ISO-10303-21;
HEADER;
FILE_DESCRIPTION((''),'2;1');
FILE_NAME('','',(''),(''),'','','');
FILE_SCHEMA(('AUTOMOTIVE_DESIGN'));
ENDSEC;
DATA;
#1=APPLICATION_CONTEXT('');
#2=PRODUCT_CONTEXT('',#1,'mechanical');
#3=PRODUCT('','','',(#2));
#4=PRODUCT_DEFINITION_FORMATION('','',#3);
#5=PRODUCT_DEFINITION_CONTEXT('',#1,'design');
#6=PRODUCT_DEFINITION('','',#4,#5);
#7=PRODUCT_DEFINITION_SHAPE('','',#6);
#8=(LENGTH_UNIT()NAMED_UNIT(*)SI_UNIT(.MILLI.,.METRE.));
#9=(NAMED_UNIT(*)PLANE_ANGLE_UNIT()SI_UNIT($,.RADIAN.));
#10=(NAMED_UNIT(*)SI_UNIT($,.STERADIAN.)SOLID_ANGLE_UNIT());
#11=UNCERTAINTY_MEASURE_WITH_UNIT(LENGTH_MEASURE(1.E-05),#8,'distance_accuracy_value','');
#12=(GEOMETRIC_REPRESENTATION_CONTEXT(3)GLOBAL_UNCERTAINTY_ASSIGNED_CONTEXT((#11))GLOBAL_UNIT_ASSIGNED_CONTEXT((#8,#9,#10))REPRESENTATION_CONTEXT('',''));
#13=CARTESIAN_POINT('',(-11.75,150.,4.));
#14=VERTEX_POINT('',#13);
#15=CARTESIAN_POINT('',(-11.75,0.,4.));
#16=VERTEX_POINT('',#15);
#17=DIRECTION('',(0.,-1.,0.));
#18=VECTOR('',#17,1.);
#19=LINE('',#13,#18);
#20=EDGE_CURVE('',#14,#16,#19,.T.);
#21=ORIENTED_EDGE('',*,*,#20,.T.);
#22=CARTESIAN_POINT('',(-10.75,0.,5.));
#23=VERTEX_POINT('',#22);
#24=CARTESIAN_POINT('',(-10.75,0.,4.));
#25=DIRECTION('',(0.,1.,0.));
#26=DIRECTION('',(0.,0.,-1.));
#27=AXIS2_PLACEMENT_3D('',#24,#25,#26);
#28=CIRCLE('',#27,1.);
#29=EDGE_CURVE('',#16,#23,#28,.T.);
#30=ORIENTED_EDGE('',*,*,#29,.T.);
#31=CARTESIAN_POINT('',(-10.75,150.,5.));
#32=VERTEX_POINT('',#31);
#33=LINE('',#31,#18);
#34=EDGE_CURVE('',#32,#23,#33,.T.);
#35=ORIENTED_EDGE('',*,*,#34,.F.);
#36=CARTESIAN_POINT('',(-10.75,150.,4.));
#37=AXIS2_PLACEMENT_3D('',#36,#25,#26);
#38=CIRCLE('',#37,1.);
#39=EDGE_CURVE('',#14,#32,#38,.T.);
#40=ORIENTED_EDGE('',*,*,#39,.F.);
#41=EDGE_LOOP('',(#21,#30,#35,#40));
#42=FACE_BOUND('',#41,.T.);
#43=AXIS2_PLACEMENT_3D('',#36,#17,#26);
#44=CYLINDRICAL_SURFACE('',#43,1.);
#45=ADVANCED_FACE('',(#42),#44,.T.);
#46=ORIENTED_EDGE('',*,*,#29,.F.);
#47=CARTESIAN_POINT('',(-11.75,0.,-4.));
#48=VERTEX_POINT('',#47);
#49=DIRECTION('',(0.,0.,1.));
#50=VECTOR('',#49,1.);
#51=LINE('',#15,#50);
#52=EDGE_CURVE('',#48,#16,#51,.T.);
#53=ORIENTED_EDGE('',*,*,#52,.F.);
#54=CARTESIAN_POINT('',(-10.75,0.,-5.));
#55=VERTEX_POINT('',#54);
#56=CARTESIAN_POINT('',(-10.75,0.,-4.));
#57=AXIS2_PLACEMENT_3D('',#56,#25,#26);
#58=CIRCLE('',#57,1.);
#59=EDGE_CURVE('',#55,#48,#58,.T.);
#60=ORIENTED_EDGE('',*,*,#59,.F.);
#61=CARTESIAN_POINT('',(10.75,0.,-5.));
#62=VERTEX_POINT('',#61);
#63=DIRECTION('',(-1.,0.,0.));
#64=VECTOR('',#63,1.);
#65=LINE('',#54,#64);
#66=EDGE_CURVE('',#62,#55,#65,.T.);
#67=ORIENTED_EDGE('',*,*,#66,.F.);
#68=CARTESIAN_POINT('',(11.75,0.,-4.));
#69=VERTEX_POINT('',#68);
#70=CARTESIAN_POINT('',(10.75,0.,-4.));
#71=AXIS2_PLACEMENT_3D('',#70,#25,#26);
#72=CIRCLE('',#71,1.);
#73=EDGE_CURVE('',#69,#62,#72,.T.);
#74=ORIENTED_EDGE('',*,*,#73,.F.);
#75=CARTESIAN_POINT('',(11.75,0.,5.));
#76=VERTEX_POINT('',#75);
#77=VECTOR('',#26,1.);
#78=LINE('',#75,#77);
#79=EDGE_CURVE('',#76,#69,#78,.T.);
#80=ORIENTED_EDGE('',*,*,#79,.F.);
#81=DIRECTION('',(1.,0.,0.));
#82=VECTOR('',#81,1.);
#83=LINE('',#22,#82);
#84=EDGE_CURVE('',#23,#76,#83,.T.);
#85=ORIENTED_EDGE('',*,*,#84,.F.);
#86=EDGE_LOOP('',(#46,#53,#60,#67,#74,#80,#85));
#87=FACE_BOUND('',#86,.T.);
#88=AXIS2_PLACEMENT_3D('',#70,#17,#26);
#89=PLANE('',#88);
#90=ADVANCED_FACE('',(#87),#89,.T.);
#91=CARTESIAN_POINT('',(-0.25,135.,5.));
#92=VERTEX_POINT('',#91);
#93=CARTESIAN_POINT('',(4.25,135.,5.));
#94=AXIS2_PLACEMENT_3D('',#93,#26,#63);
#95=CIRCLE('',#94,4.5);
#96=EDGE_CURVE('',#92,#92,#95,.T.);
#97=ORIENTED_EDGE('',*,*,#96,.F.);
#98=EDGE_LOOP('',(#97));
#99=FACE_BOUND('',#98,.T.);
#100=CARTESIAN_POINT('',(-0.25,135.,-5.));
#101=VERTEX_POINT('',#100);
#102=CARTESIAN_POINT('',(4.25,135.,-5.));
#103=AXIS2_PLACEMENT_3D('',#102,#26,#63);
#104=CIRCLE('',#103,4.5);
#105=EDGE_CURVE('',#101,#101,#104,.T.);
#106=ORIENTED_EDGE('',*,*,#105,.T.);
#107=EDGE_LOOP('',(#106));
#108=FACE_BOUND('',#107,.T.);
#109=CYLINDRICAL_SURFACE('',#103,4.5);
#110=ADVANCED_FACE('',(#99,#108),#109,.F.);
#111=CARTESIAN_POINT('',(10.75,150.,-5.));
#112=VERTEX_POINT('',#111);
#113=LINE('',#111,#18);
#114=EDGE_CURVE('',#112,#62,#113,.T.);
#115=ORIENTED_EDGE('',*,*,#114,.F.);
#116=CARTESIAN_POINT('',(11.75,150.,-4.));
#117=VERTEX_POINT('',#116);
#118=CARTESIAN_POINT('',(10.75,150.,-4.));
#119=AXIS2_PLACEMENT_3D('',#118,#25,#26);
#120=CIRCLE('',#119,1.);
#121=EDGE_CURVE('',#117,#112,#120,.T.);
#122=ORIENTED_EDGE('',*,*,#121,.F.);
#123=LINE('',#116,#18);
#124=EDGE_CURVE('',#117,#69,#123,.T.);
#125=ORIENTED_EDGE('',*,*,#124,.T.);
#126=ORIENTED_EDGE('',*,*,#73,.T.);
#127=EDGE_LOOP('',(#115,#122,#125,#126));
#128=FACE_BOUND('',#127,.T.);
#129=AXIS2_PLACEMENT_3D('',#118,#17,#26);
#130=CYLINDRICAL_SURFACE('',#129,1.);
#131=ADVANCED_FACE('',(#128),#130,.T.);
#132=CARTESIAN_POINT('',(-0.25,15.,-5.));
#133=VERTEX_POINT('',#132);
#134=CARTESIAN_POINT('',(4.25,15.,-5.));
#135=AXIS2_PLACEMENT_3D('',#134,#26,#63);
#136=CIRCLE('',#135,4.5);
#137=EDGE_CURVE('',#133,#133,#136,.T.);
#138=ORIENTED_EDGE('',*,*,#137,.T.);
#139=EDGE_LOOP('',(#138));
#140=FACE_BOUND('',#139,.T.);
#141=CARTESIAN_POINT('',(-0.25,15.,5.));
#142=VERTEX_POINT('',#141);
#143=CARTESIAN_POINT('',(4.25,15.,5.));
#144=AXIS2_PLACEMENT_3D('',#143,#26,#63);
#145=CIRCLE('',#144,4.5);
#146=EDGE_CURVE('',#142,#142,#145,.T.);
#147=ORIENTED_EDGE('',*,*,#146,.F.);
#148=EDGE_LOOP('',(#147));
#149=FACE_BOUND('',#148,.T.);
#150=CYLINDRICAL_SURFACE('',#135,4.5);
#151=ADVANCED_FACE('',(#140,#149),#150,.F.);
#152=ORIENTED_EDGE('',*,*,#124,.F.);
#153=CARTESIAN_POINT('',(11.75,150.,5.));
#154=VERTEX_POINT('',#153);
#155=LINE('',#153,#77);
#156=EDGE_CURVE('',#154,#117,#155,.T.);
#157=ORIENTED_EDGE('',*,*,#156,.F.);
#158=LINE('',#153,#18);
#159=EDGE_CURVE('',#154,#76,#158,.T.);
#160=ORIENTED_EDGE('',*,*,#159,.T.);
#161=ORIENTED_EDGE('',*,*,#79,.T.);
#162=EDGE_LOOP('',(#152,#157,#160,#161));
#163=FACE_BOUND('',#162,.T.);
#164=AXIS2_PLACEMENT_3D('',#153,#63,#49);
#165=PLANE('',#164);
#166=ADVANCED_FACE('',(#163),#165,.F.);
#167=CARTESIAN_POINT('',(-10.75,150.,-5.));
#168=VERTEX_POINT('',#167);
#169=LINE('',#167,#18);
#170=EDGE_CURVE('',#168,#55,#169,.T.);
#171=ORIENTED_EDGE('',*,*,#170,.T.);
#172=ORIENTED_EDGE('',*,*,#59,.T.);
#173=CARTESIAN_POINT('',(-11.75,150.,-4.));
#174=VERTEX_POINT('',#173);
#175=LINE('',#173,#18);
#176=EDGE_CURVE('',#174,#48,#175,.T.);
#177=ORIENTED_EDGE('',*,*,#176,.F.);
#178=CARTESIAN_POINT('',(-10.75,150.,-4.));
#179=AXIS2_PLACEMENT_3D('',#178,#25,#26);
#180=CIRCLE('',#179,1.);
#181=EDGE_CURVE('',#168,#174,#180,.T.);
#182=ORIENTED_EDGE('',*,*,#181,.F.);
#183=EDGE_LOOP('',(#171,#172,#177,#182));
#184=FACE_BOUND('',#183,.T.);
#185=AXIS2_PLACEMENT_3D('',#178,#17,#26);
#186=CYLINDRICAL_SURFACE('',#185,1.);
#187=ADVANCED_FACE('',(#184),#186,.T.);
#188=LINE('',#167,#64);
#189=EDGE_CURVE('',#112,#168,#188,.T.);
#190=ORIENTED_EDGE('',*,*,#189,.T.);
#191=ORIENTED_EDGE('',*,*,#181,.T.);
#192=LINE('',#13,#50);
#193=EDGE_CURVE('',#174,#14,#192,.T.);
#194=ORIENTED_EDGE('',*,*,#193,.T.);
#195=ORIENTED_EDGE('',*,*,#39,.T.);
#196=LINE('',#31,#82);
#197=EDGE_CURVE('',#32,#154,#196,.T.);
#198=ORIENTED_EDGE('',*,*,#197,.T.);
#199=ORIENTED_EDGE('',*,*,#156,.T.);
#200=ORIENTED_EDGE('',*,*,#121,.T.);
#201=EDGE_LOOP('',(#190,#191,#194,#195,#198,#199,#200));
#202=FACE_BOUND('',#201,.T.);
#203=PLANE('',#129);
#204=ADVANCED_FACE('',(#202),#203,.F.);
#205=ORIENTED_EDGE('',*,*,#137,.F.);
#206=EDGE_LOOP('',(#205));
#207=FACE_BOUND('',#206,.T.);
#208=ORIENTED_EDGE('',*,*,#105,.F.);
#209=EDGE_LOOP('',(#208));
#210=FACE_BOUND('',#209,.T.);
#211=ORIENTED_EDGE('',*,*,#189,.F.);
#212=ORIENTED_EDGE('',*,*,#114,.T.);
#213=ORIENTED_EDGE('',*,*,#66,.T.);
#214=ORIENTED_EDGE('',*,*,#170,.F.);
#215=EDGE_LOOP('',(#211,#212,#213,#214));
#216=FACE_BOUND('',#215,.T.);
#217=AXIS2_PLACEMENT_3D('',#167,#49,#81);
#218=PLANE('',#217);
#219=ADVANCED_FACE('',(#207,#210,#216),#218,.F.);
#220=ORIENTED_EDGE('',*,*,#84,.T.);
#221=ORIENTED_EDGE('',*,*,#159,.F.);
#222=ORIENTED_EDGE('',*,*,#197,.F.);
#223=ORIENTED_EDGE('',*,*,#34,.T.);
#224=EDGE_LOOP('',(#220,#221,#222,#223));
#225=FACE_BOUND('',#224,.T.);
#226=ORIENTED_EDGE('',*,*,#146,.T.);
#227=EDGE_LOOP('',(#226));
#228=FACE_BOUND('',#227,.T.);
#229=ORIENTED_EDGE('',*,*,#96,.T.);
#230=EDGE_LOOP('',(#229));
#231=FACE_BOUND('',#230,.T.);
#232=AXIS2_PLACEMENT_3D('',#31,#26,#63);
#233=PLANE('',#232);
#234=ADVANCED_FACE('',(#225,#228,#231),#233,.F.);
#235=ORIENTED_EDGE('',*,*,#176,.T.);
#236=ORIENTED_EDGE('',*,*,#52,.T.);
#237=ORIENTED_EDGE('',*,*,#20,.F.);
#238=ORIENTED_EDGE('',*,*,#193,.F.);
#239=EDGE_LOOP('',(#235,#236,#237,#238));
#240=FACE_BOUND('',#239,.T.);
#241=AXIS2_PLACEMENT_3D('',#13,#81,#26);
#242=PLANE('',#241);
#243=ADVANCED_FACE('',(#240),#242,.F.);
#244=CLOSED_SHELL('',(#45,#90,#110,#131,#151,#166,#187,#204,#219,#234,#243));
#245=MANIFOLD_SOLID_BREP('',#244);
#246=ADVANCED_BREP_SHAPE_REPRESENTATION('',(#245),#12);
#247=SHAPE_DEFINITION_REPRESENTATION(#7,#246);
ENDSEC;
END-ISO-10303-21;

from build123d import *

# Parameters (mm, degrees)
BOSS_EXTRUDE1_DEPTH  = 150
M8_CLEARANCE_HOLE1_D = 9


with BuildPart() as part:
    # Sketch1 → Boss-Extrude1 (new body)
    with BuildSketch(Plane(origin=(0, 0, 0), x_dir=(1, 0, 0), z_dir=(0, 1, 0))):
        with BuildLine():
            Line((-10.75, -5), (11.75, -5))
            Line((11.75, -5), (11.75, 4))
            ThreePointArc((11.75, 4), (11.457106781, 4.707106781), (10.75, 5))
            Line((10.75, 5), (-10.75, 5))
            ThreePointArc((-10.75, 5), (-11.457106781, 4.707106781), (-11.75, 4))
            Line((-11.75, 4), (-11.75, -4))
            ThreePointArc((-11.75, -4), (-11.457106781, -4.707106781), (-10.75, -5))
        make_face()
    extrude(amount=BOSS_EXTRUDE1_DEPTH)

    # M8 Clearance Hole1 (through all)
    with Locations(Plane(origin=(0, 0, -5), x_dir=(-1, 0, 0), z_dir=(0, 0, -1))):
        with Locations((-4.25, 135), (-4.25, 15)):
            Hole(M8_CLEARANCE_HOLE1_D / 2)


solid = part.part
